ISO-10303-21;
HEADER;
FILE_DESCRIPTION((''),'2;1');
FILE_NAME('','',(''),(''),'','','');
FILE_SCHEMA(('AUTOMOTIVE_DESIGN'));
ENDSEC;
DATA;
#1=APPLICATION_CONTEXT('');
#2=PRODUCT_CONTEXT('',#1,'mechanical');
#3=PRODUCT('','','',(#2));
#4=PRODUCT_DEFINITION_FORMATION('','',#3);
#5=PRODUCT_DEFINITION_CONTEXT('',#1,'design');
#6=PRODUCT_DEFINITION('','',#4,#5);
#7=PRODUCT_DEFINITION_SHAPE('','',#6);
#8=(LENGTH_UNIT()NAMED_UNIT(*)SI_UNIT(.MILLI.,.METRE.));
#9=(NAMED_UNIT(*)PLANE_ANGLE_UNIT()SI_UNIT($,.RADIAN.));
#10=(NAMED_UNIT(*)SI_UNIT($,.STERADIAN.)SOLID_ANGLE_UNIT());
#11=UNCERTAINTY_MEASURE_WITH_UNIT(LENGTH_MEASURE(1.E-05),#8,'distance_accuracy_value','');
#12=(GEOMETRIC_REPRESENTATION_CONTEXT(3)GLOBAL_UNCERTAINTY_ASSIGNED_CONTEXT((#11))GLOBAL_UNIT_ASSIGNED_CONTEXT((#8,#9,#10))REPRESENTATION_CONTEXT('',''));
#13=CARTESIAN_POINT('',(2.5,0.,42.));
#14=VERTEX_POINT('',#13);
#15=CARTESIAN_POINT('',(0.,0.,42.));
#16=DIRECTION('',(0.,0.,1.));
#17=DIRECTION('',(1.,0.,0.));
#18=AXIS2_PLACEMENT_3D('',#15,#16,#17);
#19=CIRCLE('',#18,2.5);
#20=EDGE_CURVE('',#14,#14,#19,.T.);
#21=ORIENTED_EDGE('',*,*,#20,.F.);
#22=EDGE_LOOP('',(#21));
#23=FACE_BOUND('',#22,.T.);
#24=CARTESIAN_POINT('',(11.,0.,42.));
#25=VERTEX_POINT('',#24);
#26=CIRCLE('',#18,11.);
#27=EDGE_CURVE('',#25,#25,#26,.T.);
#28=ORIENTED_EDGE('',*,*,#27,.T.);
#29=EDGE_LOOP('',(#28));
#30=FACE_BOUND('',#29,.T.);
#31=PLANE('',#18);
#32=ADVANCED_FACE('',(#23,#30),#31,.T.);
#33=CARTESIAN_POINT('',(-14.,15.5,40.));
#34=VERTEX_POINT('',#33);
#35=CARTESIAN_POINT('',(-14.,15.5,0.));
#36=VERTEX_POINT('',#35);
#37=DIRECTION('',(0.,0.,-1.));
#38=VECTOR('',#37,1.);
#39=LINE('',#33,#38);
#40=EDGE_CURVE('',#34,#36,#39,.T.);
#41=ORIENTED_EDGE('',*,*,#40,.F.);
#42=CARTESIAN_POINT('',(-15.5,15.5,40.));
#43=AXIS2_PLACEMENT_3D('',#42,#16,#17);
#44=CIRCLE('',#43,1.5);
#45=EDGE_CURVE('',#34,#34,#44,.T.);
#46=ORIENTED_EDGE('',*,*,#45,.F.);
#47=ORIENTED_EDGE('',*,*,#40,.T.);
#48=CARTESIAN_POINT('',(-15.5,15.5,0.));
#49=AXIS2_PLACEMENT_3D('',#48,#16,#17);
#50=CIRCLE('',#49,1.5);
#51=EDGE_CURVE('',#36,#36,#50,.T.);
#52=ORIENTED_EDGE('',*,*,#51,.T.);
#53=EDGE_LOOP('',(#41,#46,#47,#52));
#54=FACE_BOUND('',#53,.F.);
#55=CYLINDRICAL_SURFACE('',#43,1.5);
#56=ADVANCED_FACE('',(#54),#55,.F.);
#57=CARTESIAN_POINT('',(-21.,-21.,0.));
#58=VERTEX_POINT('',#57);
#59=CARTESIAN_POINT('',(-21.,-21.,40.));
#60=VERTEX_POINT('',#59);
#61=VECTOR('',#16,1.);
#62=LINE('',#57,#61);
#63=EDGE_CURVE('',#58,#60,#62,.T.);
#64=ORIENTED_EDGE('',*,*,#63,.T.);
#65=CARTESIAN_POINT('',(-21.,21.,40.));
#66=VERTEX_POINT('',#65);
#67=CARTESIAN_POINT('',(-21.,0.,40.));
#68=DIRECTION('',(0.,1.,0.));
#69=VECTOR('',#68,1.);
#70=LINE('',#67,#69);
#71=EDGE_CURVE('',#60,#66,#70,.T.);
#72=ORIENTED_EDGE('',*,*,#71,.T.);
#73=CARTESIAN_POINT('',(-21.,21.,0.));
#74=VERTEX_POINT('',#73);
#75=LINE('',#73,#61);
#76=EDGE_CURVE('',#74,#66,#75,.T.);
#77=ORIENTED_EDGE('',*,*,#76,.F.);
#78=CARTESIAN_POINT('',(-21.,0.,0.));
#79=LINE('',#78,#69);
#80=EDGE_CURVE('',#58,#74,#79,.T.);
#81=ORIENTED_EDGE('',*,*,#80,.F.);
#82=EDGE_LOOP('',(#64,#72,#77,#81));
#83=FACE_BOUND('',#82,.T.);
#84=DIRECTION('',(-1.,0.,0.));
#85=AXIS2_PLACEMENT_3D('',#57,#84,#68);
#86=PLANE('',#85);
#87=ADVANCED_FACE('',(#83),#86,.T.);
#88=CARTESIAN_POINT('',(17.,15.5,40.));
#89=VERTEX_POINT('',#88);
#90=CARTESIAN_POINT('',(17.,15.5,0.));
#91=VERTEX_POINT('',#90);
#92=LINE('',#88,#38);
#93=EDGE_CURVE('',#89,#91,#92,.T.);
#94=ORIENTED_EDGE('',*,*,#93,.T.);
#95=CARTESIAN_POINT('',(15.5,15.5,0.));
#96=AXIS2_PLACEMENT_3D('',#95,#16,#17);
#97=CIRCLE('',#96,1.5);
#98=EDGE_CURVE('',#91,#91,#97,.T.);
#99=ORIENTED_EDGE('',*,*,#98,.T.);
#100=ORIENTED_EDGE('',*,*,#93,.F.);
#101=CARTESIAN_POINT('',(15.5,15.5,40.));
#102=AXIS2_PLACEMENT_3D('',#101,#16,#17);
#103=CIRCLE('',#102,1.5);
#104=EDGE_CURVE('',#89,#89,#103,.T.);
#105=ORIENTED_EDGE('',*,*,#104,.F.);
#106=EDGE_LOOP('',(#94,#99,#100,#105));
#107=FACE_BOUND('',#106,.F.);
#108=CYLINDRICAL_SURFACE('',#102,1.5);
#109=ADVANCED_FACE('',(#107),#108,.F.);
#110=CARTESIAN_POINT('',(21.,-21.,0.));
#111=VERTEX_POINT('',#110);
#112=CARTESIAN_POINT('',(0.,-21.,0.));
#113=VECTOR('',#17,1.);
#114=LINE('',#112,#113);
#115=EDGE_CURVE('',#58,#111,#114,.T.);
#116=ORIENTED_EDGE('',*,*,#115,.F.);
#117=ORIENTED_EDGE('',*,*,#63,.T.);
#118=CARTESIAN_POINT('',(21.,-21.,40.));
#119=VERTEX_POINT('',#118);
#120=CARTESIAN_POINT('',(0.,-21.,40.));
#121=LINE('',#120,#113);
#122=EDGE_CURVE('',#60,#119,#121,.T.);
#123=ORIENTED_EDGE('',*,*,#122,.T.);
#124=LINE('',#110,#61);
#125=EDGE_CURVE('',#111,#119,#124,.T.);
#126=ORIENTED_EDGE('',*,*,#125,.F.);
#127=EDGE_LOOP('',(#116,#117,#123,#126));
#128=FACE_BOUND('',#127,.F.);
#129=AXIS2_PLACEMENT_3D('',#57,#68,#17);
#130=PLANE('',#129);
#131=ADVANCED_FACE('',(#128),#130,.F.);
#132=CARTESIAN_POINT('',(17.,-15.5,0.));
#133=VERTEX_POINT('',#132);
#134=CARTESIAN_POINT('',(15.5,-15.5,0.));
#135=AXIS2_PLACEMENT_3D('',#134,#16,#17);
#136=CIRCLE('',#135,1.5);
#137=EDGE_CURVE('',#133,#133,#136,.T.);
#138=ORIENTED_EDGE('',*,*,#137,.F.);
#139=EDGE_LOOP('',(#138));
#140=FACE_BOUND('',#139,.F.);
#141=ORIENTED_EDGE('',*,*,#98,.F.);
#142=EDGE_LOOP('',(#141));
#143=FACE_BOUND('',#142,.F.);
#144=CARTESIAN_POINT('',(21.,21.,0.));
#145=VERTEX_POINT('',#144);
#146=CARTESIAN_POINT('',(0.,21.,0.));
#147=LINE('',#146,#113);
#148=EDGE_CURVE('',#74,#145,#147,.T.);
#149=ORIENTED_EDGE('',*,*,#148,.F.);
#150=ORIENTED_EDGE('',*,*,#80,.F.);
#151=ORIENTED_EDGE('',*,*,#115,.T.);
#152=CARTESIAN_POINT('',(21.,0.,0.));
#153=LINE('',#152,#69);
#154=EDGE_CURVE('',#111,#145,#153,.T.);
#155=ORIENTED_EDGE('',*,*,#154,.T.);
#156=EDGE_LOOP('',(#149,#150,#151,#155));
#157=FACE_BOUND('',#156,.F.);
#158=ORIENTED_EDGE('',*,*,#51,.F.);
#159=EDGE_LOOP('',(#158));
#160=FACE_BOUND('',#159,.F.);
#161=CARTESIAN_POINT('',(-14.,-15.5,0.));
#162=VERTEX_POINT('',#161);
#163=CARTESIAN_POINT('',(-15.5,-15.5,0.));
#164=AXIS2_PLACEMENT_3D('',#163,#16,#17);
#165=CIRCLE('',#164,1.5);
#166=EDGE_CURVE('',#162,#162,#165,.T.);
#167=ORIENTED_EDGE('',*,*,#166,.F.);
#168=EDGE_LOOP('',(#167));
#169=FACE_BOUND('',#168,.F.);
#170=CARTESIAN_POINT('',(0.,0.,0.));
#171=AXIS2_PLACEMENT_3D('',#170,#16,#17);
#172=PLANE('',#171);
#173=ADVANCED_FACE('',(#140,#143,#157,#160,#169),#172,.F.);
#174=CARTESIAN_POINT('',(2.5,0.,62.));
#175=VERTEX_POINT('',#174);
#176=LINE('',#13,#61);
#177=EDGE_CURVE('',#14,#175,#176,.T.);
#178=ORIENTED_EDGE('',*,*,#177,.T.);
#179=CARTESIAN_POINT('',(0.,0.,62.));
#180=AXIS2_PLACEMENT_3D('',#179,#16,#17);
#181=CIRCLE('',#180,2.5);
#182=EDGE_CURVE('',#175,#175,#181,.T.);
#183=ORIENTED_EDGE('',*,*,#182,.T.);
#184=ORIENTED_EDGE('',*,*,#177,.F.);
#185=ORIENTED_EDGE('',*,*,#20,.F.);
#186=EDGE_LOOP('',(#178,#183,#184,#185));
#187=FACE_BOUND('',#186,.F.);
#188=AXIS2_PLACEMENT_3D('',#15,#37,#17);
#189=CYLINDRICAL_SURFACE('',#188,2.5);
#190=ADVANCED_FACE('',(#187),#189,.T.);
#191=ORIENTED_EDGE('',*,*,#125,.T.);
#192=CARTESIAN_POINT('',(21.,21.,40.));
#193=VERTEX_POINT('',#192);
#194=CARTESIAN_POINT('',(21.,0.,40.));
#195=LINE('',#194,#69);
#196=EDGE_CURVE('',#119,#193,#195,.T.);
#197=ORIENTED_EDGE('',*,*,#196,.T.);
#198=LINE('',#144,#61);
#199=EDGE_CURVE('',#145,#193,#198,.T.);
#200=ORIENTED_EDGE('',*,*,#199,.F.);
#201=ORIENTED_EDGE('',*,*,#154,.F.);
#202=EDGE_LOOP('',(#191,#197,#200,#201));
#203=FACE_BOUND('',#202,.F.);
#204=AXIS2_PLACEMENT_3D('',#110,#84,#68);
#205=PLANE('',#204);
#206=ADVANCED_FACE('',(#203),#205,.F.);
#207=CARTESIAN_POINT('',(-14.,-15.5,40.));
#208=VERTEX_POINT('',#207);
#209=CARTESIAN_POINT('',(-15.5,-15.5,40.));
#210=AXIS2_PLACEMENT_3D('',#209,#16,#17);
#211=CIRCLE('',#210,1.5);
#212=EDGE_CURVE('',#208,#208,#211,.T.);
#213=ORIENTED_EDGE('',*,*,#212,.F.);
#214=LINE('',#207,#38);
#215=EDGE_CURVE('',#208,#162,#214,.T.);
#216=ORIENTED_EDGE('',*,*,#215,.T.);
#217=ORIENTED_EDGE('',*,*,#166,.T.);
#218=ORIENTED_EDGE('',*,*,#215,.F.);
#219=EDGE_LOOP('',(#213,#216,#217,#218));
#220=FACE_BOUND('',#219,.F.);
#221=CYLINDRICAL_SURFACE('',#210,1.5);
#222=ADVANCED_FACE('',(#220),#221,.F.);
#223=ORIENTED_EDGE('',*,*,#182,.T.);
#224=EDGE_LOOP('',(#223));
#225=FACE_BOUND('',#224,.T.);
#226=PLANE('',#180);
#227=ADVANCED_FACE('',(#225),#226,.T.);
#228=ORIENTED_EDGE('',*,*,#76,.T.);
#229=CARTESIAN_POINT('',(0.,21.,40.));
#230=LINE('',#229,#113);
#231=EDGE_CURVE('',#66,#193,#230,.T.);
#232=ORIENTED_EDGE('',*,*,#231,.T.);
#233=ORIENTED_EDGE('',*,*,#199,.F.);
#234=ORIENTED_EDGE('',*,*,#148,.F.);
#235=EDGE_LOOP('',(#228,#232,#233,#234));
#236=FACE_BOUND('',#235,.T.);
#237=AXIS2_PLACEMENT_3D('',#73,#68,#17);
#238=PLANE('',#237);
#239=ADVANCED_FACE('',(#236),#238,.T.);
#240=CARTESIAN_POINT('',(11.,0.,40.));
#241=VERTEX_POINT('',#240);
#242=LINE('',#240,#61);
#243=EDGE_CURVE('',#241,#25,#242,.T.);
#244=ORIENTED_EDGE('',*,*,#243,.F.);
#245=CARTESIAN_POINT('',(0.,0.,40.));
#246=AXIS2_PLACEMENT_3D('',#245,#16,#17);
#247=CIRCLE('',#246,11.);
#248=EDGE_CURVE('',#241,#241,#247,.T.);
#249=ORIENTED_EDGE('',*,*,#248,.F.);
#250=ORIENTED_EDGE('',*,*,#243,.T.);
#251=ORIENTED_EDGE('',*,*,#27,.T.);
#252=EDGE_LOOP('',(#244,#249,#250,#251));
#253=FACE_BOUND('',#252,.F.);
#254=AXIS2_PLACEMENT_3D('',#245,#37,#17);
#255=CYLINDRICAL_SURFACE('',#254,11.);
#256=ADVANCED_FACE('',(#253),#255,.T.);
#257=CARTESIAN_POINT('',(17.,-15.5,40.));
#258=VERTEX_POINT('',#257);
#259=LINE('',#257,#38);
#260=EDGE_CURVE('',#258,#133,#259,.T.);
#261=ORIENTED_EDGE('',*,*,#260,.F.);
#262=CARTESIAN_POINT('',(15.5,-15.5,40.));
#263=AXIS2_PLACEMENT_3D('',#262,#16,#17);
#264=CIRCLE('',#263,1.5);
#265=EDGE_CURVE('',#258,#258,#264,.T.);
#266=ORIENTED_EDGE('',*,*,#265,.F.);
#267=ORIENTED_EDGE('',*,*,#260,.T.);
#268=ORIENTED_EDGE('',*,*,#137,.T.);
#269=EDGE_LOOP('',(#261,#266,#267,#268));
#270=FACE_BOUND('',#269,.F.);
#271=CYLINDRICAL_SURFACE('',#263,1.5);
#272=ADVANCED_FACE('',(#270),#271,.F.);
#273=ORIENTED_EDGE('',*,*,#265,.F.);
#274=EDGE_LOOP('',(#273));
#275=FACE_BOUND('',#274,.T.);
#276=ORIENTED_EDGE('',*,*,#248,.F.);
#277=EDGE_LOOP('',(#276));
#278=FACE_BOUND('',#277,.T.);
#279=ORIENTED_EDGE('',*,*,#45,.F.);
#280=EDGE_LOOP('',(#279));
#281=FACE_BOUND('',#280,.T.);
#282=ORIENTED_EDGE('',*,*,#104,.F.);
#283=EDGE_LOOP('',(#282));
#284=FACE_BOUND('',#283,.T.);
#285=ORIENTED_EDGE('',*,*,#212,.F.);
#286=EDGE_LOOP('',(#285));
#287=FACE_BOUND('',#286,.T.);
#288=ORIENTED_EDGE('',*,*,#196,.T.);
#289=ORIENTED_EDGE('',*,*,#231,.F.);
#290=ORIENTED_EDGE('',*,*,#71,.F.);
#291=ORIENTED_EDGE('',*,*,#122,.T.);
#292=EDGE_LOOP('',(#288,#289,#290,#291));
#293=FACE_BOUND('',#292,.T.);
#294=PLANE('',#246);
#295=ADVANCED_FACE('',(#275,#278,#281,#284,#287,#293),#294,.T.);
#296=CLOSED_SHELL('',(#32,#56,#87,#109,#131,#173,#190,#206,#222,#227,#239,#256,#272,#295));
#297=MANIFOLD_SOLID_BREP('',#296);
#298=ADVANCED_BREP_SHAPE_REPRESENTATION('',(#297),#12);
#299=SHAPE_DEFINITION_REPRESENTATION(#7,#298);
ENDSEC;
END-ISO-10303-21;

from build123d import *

# Parameters (mm, degrees)
F0_W     = 42
F0_H     = 42
F0_R     = 11
F1_DEPTH = 40
F2_R     = 11
F3_DEPTH = 2
F4_R     = 2.5
F5_DEPTH = 20
F6_R     = 1.5
F7_DEPTH = 40.001


with BuildPart() as f1:
    # F0 (on Top) → F1 (new body)
    with BuildSketch(Plane.XY):
        Rectangle(F0_W, F0_H)
        Circle(F0_R, mode=Mode.SUBTRACT)
        Circle(F0_R)
    extrude(amount=F1_DEPTH)

    # F2 (on face) → F3 (join)
    with BuildSketch(Plane.XY.offset(40)):
        Circle(F2_R)
    extrude(amount=F3_DEPTH)

    # F4 (on face) → F5 (join)
    with BuildSketch(Plane.XY.offset(42)):
        Circle(F4_R)
    extrude(amount=F5_DEPTH)

    # F6 (on face) → F7 (cut, through all)
    with BuildSketch(Plane.XY.offset(40)):
        with Locations((-15.5, 15.5)):
            Circle(F6_R)
        with Locations((15.5, 15.5)):
            Circle(F6_R)
        with Locations((15.5, -15.5)):
            Circle(F6_R)
        with Locations((-15.5, -15.5)):
            Circle(F6_R)
    extrude(amount=-F7_DEPTH, mode=Mode.SUBTRACT)


solid = f1.part
